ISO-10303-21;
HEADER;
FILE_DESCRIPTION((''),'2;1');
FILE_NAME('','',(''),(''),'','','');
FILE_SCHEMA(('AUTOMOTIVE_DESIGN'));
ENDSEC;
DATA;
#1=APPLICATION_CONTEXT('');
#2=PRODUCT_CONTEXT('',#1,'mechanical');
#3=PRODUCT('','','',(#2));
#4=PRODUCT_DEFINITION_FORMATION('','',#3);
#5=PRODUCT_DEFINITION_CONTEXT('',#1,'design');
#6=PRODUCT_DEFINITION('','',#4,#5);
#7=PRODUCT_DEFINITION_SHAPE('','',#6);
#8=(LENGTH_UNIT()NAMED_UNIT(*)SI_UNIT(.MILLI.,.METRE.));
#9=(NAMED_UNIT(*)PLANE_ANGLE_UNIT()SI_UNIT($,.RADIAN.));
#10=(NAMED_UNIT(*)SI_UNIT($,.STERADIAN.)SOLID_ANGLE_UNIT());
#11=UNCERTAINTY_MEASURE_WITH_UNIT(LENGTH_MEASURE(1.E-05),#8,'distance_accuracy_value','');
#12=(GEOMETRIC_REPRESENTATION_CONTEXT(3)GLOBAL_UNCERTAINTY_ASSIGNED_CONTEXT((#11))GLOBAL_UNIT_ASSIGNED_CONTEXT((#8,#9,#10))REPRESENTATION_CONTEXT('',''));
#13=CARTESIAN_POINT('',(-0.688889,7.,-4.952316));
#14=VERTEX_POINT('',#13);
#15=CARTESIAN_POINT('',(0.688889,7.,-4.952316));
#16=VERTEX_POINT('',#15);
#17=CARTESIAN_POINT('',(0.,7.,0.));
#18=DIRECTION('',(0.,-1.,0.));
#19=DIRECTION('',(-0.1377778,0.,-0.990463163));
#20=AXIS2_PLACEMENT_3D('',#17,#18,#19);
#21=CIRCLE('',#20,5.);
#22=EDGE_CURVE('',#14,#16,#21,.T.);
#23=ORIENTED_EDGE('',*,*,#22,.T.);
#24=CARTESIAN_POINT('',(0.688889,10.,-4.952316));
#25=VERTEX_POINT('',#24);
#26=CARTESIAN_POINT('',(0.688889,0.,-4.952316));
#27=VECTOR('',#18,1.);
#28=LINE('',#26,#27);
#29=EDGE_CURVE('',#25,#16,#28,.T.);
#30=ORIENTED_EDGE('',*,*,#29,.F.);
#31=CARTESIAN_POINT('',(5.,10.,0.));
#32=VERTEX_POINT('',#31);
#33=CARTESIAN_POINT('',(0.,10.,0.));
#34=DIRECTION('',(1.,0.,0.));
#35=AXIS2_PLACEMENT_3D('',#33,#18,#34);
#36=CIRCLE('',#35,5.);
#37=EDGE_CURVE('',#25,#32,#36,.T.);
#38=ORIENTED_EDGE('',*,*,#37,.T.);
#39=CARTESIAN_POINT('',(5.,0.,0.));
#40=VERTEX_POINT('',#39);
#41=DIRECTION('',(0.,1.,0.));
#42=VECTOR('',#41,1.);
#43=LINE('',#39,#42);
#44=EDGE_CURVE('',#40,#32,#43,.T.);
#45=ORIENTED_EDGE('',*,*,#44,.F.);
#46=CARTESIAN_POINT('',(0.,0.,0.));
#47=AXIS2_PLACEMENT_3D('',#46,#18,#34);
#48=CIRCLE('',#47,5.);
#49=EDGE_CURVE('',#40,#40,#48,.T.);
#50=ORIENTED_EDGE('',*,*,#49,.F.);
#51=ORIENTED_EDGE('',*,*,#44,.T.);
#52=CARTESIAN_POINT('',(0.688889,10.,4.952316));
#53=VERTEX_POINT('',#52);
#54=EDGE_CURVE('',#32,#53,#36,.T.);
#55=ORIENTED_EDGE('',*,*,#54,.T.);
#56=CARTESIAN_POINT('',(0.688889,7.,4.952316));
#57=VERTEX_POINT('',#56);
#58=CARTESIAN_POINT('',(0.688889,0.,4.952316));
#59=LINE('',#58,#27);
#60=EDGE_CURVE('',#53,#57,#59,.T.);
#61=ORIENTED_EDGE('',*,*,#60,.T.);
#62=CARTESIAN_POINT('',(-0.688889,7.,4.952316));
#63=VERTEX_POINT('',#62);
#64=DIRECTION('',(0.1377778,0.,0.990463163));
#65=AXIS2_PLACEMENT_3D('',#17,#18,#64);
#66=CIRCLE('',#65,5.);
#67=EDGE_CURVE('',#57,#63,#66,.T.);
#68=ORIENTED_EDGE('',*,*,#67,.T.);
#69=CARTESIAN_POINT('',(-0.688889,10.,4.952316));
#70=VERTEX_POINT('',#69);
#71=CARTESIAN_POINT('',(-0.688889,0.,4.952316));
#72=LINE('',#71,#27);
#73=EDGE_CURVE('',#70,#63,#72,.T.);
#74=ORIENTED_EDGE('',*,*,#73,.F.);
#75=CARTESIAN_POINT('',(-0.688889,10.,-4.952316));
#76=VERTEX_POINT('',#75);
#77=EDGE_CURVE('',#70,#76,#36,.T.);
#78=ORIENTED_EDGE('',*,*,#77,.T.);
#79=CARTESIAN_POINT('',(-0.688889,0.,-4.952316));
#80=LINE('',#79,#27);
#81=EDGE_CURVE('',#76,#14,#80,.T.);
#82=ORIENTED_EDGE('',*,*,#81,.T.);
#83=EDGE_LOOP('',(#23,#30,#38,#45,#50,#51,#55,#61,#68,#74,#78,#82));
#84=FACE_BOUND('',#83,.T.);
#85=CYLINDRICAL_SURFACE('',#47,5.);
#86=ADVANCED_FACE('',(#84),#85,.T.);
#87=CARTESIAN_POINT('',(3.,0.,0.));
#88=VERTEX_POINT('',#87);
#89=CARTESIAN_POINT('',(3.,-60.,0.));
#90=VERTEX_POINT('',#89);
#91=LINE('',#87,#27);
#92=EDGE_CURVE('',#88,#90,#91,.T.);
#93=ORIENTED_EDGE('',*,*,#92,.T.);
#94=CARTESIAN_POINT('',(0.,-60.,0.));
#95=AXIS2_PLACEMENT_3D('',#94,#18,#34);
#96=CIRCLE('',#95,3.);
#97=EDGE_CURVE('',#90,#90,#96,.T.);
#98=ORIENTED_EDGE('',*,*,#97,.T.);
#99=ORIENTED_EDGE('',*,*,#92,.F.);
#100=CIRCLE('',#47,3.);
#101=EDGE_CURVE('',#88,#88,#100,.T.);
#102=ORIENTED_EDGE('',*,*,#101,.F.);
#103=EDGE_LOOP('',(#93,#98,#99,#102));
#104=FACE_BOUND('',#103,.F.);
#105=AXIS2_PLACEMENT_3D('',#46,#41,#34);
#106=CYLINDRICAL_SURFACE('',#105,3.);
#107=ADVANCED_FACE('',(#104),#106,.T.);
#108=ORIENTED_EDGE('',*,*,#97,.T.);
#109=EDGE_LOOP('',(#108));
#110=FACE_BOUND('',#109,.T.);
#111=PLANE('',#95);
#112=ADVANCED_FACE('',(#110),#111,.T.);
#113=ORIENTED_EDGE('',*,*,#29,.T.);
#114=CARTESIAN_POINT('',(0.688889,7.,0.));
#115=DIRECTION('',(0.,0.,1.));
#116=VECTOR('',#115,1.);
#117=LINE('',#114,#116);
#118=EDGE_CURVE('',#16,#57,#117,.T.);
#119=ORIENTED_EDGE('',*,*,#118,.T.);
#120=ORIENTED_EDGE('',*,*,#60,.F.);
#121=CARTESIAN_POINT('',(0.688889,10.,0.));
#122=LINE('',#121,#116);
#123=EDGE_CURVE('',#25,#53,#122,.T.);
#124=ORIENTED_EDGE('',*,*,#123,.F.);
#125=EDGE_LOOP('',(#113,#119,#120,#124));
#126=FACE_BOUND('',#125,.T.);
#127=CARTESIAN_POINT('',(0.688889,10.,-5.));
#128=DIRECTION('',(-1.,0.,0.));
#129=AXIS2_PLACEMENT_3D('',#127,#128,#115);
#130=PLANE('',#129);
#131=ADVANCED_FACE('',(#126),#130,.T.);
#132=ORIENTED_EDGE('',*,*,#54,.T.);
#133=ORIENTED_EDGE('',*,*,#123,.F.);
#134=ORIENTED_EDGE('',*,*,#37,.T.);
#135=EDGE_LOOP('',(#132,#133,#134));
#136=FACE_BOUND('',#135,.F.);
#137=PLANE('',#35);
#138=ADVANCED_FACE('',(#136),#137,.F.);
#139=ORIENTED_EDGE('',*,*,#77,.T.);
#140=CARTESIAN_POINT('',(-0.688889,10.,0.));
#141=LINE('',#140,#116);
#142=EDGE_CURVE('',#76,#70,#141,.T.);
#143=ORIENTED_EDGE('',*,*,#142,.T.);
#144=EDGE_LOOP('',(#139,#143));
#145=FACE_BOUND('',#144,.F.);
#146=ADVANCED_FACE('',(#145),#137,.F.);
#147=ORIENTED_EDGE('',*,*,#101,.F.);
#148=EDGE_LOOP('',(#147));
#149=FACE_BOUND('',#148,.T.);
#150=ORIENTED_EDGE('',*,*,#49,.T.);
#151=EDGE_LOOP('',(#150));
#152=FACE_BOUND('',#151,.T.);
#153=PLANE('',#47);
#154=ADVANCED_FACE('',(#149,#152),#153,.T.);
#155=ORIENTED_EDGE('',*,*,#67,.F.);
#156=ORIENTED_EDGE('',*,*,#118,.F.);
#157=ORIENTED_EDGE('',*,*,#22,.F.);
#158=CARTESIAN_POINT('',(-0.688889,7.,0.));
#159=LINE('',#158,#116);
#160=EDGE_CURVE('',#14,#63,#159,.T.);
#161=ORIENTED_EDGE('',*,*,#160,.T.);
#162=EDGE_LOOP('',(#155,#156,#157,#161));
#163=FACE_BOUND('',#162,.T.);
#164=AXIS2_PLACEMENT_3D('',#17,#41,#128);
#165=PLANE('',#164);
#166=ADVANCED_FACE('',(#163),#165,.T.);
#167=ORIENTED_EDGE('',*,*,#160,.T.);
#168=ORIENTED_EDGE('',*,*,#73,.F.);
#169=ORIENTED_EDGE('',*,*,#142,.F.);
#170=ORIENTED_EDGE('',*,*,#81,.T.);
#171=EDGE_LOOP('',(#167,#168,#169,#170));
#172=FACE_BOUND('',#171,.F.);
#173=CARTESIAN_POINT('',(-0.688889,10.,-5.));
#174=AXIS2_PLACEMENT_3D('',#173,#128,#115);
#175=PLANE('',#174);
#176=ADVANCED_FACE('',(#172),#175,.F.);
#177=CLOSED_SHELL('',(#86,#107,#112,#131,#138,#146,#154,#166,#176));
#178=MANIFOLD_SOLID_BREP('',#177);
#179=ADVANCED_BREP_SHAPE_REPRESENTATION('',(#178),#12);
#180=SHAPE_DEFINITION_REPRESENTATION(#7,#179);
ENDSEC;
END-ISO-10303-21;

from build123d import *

# Parameters (mm, degrees)
F0_R     = 3
F1_DEPTH = 60
F2_R     = 5
F3_DEPTH = 10
F4_W     = 1.377778
F4_H     = 10
F5_DEPTH = 3


with BuildPart() as f1:
    # F0 (on Front) → F1 (new body)
    with BuildSketch(Plane.XZ):
        Circle(F0_R)
    extrude(amount=F1_DEPTH)

    # F2 (on Front) → F3 (join)
    with BuildSketch(Plane.XZ):
        Circle(F2_R)
    extrude(amount=-F3_DEPTH)

    # F4 (on face) → F5 (cut)
    with BuildSketch(Plane(origin=(0, 10, 0), x_dir=(-1, 0, 0), z_dir=(0, 1, 0))):
        Rectangle(F4_W, F4_H)
    extrude(amount=-F5_DEPTH, mode=Mode.SUBTRACT)


solid = f1.part
